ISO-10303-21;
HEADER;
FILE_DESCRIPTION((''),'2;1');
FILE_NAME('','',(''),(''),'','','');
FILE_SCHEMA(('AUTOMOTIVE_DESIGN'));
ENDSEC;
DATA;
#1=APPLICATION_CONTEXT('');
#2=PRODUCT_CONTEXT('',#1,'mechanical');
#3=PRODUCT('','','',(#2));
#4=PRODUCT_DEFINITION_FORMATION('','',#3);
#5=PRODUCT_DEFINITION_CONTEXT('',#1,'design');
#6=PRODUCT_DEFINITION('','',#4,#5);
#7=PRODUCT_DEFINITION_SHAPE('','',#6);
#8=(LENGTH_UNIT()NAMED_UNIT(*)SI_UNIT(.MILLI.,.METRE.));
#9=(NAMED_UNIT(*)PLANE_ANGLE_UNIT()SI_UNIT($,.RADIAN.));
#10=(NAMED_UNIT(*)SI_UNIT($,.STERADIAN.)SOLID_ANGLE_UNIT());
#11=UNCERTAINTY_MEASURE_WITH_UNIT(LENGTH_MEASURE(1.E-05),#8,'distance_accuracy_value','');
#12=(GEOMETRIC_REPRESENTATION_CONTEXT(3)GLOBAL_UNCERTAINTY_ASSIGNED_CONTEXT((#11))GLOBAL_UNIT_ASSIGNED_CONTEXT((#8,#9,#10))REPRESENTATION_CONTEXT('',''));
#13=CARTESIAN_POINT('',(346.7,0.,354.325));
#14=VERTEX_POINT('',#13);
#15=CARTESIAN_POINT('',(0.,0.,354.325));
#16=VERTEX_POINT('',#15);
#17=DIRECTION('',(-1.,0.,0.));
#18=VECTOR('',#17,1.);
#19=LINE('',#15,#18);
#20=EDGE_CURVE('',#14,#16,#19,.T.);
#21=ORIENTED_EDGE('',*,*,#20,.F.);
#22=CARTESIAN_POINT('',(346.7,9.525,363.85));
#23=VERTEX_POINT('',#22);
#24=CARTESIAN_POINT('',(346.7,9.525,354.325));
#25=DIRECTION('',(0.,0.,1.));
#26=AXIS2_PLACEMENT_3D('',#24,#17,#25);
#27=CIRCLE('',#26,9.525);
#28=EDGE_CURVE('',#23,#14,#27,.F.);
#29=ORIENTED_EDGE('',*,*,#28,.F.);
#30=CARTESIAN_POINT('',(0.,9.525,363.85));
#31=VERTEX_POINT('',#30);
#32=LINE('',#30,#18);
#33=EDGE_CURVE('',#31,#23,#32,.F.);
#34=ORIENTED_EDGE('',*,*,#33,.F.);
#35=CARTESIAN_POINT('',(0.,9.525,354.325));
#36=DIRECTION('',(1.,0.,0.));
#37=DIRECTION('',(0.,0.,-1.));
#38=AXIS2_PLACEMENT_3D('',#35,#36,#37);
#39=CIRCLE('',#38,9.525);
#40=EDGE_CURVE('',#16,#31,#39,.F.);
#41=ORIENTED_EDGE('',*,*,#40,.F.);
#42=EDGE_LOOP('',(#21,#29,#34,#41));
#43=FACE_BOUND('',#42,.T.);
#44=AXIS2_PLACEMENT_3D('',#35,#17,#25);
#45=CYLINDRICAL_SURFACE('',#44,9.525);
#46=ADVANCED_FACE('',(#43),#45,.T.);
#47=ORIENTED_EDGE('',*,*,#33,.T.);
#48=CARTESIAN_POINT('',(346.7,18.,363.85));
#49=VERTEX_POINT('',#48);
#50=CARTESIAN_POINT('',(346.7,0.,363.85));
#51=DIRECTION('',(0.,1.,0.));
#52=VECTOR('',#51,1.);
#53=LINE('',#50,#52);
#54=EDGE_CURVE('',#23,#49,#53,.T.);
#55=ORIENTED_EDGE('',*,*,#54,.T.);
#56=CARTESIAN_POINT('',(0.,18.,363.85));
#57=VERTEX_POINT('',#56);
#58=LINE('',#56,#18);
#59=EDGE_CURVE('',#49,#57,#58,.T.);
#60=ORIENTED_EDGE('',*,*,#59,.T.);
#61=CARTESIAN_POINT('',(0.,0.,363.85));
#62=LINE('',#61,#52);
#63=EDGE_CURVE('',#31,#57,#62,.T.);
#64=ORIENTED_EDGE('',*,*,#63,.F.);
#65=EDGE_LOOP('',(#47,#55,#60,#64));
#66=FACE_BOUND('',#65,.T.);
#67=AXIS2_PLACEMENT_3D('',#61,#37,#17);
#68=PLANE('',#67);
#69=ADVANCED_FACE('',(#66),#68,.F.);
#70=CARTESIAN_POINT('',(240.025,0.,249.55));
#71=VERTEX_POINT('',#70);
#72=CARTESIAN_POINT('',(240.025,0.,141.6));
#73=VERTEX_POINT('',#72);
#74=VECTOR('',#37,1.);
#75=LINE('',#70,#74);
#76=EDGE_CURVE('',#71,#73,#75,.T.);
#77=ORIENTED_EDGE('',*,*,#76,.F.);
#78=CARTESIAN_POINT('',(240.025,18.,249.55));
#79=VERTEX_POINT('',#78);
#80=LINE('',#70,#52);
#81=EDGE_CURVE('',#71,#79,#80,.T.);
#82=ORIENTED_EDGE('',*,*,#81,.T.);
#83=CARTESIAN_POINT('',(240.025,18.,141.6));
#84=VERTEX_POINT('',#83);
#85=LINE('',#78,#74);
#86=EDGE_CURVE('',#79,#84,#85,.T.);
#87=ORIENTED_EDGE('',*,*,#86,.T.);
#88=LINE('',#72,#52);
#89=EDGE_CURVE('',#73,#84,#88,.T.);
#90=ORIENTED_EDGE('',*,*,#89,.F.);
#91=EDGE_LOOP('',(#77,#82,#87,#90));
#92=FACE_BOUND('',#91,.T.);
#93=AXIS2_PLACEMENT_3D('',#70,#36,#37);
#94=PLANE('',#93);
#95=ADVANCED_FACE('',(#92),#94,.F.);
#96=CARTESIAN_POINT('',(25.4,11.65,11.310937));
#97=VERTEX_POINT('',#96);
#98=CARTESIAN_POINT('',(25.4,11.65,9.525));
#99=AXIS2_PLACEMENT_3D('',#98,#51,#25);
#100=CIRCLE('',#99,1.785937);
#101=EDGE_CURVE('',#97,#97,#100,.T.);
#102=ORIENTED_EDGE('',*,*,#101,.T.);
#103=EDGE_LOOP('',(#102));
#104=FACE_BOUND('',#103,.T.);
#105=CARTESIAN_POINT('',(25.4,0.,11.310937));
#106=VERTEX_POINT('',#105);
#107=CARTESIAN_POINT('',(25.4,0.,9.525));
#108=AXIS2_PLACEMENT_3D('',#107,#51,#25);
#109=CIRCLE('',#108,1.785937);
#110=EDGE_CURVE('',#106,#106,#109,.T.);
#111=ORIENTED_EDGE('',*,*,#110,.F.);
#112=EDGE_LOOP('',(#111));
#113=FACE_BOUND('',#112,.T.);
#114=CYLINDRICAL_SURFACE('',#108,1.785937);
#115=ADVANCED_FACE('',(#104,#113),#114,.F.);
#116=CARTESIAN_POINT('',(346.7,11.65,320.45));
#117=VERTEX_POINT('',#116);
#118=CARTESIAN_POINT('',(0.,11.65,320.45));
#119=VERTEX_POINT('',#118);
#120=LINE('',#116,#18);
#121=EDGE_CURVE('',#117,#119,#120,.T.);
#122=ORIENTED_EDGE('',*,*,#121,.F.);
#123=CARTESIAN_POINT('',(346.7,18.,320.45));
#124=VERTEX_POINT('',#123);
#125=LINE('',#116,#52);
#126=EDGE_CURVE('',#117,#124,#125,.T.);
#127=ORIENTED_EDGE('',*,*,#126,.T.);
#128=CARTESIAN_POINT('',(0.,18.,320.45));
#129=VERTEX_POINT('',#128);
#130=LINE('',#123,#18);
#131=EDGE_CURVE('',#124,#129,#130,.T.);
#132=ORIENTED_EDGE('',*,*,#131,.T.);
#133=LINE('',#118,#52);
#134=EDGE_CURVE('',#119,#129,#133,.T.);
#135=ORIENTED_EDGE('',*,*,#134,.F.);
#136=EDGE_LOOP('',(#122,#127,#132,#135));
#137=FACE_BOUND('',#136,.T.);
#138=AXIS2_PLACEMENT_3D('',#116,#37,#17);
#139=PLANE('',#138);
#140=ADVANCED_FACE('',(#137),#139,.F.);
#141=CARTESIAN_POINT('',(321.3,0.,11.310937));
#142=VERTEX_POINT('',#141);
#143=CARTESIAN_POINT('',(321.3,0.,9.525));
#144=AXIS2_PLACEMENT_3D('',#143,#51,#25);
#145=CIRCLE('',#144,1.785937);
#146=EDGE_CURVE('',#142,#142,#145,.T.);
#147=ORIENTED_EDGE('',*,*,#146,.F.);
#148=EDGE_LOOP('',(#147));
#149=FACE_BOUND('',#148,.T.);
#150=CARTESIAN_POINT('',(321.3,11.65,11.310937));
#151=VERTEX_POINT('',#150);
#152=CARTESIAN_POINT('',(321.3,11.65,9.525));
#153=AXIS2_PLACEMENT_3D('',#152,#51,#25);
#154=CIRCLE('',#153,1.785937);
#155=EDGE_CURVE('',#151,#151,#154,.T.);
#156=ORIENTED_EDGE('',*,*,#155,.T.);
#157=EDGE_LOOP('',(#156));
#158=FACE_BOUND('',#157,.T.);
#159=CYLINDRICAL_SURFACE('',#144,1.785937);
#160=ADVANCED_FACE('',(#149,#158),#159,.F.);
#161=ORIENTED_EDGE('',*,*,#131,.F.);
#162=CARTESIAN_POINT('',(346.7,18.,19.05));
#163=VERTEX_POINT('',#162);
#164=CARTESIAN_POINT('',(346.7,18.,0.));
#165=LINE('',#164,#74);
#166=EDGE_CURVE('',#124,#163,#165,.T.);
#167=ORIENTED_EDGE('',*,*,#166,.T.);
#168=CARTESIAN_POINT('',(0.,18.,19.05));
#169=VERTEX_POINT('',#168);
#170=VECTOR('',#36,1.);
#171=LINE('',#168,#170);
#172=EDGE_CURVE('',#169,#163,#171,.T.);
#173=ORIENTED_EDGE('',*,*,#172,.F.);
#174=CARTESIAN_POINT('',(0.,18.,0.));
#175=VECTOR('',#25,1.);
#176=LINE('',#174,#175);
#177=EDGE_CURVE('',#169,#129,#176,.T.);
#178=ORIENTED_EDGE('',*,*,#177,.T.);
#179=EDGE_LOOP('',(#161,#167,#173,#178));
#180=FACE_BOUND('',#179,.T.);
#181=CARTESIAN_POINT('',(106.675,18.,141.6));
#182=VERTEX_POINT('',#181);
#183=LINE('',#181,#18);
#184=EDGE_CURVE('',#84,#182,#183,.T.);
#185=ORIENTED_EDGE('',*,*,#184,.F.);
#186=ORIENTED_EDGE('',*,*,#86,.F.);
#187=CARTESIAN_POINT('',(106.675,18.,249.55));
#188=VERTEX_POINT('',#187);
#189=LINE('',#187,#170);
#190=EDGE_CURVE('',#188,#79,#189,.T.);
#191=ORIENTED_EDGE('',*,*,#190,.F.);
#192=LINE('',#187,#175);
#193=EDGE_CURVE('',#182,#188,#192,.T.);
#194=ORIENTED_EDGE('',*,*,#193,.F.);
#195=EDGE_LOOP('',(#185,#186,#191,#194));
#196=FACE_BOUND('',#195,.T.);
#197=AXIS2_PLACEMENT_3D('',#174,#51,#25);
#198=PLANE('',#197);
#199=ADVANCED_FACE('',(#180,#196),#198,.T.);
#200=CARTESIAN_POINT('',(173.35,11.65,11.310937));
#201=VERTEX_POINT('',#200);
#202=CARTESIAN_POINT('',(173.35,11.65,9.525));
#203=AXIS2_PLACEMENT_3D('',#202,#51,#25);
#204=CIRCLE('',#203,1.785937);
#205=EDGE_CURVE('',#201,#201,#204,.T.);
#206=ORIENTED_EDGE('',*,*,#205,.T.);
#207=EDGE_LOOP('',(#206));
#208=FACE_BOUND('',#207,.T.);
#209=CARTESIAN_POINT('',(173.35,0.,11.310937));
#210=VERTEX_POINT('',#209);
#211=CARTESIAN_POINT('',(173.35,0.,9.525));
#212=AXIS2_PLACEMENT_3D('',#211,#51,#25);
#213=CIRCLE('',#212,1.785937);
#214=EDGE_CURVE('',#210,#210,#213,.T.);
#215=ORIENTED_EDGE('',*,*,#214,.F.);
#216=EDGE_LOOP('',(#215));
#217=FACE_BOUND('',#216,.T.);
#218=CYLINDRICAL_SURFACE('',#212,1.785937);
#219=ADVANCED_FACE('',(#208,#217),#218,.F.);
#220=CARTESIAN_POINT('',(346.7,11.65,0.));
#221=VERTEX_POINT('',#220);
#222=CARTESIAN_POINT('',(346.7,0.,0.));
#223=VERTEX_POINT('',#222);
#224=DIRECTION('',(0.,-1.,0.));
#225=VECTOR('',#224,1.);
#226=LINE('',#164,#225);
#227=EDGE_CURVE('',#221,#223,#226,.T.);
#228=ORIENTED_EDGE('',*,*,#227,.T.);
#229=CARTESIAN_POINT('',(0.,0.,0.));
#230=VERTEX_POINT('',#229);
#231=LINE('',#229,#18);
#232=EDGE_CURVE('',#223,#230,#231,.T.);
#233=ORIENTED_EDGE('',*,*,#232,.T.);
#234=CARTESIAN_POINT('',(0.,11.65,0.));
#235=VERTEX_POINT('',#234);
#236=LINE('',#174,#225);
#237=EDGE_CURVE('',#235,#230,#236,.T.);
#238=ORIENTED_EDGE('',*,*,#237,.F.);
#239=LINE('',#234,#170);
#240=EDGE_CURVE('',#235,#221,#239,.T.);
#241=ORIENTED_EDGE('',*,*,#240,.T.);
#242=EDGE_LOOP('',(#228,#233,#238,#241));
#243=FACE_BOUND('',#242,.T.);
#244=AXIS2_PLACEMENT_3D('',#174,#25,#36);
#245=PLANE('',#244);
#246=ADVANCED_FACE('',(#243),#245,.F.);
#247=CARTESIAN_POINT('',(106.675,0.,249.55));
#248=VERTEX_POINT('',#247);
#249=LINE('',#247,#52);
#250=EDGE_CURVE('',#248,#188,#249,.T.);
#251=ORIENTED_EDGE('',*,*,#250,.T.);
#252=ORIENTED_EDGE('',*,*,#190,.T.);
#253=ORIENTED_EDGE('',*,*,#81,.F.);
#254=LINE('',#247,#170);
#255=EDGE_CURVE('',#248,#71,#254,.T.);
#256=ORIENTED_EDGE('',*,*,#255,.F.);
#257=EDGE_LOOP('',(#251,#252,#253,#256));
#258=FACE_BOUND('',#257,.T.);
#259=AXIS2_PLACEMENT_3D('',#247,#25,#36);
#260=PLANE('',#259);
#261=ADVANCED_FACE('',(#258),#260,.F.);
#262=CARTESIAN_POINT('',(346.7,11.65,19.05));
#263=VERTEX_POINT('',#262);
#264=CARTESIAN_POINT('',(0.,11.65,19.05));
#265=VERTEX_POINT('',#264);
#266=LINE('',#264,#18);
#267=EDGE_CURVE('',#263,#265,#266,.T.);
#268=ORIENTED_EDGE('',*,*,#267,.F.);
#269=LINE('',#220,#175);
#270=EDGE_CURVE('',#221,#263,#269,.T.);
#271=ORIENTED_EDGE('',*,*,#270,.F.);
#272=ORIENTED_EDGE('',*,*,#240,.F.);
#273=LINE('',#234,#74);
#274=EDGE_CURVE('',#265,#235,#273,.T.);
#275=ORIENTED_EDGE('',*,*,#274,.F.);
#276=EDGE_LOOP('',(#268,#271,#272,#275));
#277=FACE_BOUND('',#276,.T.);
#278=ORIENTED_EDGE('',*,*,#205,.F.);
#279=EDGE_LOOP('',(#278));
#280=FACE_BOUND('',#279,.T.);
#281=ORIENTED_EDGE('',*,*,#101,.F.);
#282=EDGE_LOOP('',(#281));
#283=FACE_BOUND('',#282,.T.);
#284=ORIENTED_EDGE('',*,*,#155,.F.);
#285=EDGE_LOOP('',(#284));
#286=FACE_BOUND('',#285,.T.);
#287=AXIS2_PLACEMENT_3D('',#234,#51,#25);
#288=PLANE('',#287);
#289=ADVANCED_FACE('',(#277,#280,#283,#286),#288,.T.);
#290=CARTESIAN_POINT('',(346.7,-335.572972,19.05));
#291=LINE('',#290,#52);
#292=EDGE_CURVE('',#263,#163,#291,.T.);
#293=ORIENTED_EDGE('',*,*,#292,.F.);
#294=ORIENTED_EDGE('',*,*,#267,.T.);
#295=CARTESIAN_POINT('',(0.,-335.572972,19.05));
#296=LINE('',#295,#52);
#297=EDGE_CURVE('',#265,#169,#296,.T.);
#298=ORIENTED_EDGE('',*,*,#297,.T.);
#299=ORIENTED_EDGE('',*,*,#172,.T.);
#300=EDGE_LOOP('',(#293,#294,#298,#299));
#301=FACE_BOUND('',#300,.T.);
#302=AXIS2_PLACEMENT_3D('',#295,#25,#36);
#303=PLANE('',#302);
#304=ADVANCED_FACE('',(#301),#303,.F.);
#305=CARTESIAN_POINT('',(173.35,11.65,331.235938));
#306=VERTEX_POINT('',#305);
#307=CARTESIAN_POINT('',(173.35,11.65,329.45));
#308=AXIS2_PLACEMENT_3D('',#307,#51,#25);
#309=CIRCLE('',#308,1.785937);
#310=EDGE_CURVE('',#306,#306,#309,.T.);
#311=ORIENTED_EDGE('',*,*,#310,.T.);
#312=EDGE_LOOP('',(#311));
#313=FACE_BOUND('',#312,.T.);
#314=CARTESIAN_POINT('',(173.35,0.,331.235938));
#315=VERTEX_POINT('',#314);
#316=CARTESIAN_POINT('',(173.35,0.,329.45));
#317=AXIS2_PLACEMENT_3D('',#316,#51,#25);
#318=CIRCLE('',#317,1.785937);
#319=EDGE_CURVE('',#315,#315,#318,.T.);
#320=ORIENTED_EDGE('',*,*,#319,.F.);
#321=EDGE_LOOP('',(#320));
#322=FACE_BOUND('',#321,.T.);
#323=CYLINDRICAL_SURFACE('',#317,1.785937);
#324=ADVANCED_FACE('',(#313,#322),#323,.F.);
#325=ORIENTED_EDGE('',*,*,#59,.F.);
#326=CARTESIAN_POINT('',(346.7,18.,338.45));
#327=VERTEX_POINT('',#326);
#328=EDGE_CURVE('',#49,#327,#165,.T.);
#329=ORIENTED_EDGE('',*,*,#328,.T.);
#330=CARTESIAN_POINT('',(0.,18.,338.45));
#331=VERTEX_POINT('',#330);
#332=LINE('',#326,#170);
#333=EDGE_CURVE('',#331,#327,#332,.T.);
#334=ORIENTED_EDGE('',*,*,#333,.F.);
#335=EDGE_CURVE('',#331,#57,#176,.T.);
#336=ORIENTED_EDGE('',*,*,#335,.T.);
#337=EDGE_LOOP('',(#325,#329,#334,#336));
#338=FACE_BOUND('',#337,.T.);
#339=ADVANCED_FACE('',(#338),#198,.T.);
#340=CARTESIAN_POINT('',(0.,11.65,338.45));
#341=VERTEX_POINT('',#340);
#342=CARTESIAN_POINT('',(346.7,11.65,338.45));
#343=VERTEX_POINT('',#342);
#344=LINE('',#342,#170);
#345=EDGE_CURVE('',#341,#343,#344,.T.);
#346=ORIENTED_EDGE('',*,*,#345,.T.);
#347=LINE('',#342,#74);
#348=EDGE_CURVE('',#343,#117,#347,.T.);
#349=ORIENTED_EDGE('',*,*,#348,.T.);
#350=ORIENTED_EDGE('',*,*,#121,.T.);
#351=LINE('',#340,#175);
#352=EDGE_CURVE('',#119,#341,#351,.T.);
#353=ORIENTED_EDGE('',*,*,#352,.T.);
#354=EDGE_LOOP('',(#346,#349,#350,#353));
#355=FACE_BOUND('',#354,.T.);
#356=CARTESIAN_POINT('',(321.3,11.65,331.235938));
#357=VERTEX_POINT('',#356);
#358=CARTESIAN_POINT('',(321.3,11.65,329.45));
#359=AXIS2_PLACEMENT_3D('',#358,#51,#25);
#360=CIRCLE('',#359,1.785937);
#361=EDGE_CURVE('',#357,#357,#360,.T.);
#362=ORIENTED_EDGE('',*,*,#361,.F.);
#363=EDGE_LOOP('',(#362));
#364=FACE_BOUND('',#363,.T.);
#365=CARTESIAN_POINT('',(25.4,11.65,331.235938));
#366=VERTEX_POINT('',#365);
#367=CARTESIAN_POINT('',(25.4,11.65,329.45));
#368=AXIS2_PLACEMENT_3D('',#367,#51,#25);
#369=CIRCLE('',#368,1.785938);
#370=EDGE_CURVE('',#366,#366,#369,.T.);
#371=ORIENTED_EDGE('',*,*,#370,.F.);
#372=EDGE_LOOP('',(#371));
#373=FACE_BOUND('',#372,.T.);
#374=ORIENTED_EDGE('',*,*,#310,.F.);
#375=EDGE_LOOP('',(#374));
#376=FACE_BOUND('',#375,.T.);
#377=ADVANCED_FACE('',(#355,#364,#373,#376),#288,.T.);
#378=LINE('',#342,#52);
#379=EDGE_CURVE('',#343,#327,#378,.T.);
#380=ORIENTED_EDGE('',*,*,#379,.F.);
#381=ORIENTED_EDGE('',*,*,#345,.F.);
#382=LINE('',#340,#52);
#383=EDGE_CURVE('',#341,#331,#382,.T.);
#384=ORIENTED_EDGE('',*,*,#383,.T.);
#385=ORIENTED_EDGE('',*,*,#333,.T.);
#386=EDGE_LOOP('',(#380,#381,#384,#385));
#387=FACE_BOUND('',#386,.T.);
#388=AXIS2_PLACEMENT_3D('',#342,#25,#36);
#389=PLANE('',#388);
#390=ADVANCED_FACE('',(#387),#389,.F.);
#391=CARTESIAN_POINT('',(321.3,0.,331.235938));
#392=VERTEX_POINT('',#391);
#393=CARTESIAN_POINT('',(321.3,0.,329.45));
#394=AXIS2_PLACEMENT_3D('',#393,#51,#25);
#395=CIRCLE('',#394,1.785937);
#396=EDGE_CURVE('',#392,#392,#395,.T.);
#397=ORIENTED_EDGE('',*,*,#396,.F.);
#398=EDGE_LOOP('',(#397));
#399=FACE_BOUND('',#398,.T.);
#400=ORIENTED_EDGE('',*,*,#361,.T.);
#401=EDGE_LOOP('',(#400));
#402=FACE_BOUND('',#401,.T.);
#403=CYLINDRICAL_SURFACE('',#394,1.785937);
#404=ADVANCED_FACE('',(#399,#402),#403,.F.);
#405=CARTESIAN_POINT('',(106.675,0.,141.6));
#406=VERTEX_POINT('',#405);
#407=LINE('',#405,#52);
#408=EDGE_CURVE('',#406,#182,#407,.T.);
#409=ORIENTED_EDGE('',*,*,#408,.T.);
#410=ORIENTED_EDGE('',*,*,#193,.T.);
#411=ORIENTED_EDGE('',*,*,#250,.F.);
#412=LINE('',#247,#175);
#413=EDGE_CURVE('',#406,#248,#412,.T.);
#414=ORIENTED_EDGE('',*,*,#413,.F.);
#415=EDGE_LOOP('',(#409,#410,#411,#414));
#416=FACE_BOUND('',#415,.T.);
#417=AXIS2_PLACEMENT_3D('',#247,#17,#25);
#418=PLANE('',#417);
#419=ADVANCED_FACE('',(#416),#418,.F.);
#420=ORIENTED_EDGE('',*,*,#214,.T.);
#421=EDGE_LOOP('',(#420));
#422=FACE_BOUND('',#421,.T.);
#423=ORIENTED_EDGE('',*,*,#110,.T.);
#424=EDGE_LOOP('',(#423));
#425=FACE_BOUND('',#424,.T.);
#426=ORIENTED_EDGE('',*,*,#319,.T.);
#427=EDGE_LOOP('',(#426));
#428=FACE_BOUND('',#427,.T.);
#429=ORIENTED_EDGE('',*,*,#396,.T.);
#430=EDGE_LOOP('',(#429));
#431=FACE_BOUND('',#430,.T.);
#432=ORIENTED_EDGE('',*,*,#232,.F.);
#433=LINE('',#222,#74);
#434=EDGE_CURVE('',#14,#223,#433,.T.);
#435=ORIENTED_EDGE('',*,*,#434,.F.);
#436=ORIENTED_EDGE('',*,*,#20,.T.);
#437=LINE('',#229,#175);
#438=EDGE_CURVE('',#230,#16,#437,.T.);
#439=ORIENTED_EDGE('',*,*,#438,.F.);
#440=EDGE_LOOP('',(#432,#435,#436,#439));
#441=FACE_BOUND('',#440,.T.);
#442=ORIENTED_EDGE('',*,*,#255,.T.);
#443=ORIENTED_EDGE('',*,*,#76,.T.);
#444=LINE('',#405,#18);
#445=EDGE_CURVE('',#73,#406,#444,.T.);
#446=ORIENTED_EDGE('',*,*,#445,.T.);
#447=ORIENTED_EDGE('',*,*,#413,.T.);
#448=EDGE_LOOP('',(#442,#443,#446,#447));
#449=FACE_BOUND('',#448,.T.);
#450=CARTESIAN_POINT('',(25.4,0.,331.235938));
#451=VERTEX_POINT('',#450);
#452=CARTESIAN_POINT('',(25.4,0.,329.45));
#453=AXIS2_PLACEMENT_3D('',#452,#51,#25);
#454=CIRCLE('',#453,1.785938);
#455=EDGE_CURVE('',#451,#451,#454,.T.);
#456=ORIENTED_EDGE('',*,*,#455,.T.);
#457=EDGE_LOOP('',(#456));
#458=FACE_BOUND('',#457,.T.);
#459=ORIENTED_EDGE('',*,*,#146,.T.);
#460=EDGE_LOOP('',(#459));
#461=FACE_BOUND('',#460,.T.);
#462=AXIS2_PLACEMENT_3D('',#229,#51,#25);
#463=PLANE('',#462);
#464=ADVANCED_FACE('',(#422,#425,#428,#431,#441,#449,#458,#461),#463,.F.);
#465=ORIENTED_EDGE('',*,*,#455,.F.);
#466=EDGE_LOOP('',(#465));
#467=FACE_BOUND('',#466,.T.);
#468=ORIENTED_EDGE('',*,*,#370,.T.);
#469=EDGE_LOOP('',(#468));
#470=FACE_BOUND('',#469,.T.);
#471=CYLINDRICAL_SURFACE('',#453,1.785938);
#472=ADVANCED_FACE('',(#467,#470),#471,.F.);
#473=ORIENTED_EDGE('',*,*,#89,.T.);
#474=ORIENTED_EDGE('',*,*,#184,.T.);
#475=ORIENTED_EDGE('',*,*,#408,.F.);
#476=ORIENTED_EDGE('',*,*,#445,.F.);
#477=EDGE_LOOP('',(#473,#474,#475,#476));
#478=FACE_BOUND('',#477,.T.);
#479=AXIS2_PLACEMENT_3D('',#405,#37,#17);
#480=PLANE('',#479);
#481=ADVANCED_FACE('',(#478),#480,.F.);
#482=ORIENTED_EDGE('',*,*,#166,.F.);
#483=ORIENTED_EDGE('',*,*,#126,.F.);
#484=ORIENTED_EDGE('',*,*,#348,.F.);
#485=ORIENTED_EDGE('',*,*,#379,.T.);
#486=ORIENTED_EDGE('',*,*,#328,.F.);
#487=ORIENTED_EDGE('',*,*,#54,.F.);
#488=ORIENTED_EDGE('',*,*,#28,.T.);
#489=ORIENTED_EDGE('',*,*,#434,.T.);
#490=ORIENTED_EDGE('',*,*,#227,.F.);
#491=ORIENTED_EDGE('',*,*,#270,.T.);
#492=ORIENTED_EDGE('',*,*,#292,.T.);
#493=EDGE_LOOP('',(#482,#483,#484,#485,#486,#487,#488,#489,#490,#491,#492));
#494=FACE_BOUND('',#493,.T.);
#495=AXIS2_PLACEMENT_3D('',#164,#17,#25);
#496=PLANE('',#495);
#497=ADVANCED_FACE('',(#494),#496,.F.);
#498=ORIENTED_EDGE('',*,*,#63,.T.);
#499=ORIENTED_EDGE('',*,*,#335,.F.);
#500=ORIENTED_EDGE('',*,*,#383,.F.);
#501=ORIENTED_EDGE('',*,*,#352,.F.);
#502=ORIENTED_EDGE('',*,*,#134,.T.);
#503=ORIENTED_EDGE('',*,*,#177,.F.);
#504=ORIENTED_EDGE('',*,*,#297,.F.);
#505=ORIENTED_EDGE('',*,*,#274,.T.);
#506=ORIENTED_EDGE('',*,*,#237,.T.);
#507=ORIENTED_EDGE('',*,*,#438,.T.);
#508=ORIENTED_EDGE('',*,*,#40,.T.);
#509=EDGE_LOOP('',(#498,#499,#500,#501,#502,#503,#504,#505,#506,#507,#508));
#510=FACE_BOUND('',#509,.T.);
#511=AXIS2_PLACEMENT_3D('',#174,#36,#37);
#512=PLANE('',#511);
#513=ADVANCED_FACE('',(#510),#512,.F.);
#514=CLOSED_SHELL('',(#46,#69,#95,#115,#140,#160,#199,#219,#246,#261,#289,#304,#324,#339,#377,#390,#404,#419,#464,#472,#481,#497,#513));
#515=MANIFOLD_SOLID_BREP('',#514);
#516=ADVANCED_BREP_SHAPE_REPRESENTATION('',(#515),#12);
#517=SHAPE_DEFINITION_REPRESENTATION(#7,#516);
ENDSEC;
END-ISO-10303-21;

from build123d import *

# Parameters (mm, degrees)
SKETCH1_W           = 346.7
SKETCH1_H           = 376.55000001
BOSS_EXTRUDE1_DEPTH = 18
SKETCH2_W           = 346.7
SKETCH2_H           = 18
CUT_EXTRUDE1_DEPTH  = 6.35
SKETCH3_W           = 133.35
SKETCH3_H           = 107.95
CUT_EXTRUDE3_DEPTH  = 19
FILLET1_R           = 9.525
SKETCH6_W           = 346.7
SKETCH6_H           = 19.05
CUT_EXTRUDE4_DEPTH  = 6.35
SKETCH7_W           = 346.7
SKETCH7_H           = 12.7
CUT_EXTRUDE5_DEPTH  = 19
FILLET2_R           = 9.525
SKETCH8_R           = 1.7859375
CUT_EXTRUDE6_DEPTH  = 12.65


with BuildPart() as part:
    # Sketch1 → Boss-Extrude1 (new body)
    with BuildSketch(Plane(origin=(0, 0, 0), x_dir=(1, 0, 0), z_dir=(0, 1, 0))):
        with Locations((173.35, -188.275000005)):
            Rectangle(SKETCH1_W, SKETCH1_H)
    extrude(amount=BOSS_EXTRUDE1_DEPTH)

    # Sketch2 → Cut-Extrude1 (cut)
    with BuildSketch(Plane(origin=(0, 18, 0), x_dir=(1, 0, 0), z_dir=(0, 1, 0))):
        with Locations((173.35, -329.45000001)):
            Rectangle(SKETCH2_W, SKETCH2_H)
    extrude(amount=-CUT_EXTRUDE1_DEPTH, mode=Mode.SUBTRACT)

    # Sketch3 → Cut-Extrude3 (cut, through all)
    with BuildSketch(Plane(origin=(0, 18, 0), x_dir=(1, 0, 0), z_dir=(0, 1, 0))):
        with Locations((173.35, -195.57500001)):
            Rectangle(SKETCH3_W, SKETCH3_H)
    extrude(amount=-CUT_EXTRUDE3_DEPTH, mode=Mode.SUBTRACT)

    # Fillet1
    fillet1_edges = [part.edges().sort_by_distance(p)[0] for p in [
        (173.35, 0, 376.55000001),
    ]]
    fillet(fillet1_edges, radius=FILLET1_R)

    # Sketch6 → Cut-Extrude4 (cut)
    with BuildSketch(Plane(origin=(0, 18, 0), x_dir=(1, 0, 0), z_dir=(0, 1, 0))):
        with Locations((173.35, -9.525)):
            Rectangle(SKETCH6_W, SKETCH6_H)
    extrude(amount=-CUT_EXTRUDE4_DEPTH, mode=Mode.SUBTRACT)

    # Sketch7 → Cut-Extrude5 (cut, through all)
    with BuildSketch(Plane(origin=(0, 18, 0), x_dir=(1, 0, 0), z_dir=(0, 1, 0))):
        with Locations((173.35, -370.20000001)):
            Rectangle(SKETCH7_W, SKETCH7_H)
    extrude(amount=-CUT_EXTRUDE5_DEPTH, mode=Mode.SUBTRACT)

    # Fillet2
    fillet2_edges = [part.edges().sort_by_distance(p)[0] for p in [
        (173.35, 0, 363.85000001),
    ]]
    fillet(fillet2_edges, radius=FILLET2_R)

    # Sketch8 → Cut-Extrude6 (cut, through all)
    with BuildSketch(Plane(origin=(0, 11.65, 0), x_dir=(1, 0, 0), z_dir=(0, 1, 0))):
        with Locations((173.35, -9.525)):
            Circle(SKETCH8_R)
        with Locations((173.35, -329.45000001)):
            Circle(SKETCH8_R)
        with Locations((25.4, -329.45000001)):
            Circle(SKETCH8_R)
        with Locations((321.3, -329.45000001)):
            Circle(SKETCH8_R)
        with Locations((321.3, -9.525)):
            Circle(SKETCH8_R)
        with Locations((25.4, -9.525)):
            Circle(SKETCH8_R)
    extrude(amount=-CUT_EXTRUDE6_DEPTH, mode=Mode.SUBTRACT)


solid = part.part
